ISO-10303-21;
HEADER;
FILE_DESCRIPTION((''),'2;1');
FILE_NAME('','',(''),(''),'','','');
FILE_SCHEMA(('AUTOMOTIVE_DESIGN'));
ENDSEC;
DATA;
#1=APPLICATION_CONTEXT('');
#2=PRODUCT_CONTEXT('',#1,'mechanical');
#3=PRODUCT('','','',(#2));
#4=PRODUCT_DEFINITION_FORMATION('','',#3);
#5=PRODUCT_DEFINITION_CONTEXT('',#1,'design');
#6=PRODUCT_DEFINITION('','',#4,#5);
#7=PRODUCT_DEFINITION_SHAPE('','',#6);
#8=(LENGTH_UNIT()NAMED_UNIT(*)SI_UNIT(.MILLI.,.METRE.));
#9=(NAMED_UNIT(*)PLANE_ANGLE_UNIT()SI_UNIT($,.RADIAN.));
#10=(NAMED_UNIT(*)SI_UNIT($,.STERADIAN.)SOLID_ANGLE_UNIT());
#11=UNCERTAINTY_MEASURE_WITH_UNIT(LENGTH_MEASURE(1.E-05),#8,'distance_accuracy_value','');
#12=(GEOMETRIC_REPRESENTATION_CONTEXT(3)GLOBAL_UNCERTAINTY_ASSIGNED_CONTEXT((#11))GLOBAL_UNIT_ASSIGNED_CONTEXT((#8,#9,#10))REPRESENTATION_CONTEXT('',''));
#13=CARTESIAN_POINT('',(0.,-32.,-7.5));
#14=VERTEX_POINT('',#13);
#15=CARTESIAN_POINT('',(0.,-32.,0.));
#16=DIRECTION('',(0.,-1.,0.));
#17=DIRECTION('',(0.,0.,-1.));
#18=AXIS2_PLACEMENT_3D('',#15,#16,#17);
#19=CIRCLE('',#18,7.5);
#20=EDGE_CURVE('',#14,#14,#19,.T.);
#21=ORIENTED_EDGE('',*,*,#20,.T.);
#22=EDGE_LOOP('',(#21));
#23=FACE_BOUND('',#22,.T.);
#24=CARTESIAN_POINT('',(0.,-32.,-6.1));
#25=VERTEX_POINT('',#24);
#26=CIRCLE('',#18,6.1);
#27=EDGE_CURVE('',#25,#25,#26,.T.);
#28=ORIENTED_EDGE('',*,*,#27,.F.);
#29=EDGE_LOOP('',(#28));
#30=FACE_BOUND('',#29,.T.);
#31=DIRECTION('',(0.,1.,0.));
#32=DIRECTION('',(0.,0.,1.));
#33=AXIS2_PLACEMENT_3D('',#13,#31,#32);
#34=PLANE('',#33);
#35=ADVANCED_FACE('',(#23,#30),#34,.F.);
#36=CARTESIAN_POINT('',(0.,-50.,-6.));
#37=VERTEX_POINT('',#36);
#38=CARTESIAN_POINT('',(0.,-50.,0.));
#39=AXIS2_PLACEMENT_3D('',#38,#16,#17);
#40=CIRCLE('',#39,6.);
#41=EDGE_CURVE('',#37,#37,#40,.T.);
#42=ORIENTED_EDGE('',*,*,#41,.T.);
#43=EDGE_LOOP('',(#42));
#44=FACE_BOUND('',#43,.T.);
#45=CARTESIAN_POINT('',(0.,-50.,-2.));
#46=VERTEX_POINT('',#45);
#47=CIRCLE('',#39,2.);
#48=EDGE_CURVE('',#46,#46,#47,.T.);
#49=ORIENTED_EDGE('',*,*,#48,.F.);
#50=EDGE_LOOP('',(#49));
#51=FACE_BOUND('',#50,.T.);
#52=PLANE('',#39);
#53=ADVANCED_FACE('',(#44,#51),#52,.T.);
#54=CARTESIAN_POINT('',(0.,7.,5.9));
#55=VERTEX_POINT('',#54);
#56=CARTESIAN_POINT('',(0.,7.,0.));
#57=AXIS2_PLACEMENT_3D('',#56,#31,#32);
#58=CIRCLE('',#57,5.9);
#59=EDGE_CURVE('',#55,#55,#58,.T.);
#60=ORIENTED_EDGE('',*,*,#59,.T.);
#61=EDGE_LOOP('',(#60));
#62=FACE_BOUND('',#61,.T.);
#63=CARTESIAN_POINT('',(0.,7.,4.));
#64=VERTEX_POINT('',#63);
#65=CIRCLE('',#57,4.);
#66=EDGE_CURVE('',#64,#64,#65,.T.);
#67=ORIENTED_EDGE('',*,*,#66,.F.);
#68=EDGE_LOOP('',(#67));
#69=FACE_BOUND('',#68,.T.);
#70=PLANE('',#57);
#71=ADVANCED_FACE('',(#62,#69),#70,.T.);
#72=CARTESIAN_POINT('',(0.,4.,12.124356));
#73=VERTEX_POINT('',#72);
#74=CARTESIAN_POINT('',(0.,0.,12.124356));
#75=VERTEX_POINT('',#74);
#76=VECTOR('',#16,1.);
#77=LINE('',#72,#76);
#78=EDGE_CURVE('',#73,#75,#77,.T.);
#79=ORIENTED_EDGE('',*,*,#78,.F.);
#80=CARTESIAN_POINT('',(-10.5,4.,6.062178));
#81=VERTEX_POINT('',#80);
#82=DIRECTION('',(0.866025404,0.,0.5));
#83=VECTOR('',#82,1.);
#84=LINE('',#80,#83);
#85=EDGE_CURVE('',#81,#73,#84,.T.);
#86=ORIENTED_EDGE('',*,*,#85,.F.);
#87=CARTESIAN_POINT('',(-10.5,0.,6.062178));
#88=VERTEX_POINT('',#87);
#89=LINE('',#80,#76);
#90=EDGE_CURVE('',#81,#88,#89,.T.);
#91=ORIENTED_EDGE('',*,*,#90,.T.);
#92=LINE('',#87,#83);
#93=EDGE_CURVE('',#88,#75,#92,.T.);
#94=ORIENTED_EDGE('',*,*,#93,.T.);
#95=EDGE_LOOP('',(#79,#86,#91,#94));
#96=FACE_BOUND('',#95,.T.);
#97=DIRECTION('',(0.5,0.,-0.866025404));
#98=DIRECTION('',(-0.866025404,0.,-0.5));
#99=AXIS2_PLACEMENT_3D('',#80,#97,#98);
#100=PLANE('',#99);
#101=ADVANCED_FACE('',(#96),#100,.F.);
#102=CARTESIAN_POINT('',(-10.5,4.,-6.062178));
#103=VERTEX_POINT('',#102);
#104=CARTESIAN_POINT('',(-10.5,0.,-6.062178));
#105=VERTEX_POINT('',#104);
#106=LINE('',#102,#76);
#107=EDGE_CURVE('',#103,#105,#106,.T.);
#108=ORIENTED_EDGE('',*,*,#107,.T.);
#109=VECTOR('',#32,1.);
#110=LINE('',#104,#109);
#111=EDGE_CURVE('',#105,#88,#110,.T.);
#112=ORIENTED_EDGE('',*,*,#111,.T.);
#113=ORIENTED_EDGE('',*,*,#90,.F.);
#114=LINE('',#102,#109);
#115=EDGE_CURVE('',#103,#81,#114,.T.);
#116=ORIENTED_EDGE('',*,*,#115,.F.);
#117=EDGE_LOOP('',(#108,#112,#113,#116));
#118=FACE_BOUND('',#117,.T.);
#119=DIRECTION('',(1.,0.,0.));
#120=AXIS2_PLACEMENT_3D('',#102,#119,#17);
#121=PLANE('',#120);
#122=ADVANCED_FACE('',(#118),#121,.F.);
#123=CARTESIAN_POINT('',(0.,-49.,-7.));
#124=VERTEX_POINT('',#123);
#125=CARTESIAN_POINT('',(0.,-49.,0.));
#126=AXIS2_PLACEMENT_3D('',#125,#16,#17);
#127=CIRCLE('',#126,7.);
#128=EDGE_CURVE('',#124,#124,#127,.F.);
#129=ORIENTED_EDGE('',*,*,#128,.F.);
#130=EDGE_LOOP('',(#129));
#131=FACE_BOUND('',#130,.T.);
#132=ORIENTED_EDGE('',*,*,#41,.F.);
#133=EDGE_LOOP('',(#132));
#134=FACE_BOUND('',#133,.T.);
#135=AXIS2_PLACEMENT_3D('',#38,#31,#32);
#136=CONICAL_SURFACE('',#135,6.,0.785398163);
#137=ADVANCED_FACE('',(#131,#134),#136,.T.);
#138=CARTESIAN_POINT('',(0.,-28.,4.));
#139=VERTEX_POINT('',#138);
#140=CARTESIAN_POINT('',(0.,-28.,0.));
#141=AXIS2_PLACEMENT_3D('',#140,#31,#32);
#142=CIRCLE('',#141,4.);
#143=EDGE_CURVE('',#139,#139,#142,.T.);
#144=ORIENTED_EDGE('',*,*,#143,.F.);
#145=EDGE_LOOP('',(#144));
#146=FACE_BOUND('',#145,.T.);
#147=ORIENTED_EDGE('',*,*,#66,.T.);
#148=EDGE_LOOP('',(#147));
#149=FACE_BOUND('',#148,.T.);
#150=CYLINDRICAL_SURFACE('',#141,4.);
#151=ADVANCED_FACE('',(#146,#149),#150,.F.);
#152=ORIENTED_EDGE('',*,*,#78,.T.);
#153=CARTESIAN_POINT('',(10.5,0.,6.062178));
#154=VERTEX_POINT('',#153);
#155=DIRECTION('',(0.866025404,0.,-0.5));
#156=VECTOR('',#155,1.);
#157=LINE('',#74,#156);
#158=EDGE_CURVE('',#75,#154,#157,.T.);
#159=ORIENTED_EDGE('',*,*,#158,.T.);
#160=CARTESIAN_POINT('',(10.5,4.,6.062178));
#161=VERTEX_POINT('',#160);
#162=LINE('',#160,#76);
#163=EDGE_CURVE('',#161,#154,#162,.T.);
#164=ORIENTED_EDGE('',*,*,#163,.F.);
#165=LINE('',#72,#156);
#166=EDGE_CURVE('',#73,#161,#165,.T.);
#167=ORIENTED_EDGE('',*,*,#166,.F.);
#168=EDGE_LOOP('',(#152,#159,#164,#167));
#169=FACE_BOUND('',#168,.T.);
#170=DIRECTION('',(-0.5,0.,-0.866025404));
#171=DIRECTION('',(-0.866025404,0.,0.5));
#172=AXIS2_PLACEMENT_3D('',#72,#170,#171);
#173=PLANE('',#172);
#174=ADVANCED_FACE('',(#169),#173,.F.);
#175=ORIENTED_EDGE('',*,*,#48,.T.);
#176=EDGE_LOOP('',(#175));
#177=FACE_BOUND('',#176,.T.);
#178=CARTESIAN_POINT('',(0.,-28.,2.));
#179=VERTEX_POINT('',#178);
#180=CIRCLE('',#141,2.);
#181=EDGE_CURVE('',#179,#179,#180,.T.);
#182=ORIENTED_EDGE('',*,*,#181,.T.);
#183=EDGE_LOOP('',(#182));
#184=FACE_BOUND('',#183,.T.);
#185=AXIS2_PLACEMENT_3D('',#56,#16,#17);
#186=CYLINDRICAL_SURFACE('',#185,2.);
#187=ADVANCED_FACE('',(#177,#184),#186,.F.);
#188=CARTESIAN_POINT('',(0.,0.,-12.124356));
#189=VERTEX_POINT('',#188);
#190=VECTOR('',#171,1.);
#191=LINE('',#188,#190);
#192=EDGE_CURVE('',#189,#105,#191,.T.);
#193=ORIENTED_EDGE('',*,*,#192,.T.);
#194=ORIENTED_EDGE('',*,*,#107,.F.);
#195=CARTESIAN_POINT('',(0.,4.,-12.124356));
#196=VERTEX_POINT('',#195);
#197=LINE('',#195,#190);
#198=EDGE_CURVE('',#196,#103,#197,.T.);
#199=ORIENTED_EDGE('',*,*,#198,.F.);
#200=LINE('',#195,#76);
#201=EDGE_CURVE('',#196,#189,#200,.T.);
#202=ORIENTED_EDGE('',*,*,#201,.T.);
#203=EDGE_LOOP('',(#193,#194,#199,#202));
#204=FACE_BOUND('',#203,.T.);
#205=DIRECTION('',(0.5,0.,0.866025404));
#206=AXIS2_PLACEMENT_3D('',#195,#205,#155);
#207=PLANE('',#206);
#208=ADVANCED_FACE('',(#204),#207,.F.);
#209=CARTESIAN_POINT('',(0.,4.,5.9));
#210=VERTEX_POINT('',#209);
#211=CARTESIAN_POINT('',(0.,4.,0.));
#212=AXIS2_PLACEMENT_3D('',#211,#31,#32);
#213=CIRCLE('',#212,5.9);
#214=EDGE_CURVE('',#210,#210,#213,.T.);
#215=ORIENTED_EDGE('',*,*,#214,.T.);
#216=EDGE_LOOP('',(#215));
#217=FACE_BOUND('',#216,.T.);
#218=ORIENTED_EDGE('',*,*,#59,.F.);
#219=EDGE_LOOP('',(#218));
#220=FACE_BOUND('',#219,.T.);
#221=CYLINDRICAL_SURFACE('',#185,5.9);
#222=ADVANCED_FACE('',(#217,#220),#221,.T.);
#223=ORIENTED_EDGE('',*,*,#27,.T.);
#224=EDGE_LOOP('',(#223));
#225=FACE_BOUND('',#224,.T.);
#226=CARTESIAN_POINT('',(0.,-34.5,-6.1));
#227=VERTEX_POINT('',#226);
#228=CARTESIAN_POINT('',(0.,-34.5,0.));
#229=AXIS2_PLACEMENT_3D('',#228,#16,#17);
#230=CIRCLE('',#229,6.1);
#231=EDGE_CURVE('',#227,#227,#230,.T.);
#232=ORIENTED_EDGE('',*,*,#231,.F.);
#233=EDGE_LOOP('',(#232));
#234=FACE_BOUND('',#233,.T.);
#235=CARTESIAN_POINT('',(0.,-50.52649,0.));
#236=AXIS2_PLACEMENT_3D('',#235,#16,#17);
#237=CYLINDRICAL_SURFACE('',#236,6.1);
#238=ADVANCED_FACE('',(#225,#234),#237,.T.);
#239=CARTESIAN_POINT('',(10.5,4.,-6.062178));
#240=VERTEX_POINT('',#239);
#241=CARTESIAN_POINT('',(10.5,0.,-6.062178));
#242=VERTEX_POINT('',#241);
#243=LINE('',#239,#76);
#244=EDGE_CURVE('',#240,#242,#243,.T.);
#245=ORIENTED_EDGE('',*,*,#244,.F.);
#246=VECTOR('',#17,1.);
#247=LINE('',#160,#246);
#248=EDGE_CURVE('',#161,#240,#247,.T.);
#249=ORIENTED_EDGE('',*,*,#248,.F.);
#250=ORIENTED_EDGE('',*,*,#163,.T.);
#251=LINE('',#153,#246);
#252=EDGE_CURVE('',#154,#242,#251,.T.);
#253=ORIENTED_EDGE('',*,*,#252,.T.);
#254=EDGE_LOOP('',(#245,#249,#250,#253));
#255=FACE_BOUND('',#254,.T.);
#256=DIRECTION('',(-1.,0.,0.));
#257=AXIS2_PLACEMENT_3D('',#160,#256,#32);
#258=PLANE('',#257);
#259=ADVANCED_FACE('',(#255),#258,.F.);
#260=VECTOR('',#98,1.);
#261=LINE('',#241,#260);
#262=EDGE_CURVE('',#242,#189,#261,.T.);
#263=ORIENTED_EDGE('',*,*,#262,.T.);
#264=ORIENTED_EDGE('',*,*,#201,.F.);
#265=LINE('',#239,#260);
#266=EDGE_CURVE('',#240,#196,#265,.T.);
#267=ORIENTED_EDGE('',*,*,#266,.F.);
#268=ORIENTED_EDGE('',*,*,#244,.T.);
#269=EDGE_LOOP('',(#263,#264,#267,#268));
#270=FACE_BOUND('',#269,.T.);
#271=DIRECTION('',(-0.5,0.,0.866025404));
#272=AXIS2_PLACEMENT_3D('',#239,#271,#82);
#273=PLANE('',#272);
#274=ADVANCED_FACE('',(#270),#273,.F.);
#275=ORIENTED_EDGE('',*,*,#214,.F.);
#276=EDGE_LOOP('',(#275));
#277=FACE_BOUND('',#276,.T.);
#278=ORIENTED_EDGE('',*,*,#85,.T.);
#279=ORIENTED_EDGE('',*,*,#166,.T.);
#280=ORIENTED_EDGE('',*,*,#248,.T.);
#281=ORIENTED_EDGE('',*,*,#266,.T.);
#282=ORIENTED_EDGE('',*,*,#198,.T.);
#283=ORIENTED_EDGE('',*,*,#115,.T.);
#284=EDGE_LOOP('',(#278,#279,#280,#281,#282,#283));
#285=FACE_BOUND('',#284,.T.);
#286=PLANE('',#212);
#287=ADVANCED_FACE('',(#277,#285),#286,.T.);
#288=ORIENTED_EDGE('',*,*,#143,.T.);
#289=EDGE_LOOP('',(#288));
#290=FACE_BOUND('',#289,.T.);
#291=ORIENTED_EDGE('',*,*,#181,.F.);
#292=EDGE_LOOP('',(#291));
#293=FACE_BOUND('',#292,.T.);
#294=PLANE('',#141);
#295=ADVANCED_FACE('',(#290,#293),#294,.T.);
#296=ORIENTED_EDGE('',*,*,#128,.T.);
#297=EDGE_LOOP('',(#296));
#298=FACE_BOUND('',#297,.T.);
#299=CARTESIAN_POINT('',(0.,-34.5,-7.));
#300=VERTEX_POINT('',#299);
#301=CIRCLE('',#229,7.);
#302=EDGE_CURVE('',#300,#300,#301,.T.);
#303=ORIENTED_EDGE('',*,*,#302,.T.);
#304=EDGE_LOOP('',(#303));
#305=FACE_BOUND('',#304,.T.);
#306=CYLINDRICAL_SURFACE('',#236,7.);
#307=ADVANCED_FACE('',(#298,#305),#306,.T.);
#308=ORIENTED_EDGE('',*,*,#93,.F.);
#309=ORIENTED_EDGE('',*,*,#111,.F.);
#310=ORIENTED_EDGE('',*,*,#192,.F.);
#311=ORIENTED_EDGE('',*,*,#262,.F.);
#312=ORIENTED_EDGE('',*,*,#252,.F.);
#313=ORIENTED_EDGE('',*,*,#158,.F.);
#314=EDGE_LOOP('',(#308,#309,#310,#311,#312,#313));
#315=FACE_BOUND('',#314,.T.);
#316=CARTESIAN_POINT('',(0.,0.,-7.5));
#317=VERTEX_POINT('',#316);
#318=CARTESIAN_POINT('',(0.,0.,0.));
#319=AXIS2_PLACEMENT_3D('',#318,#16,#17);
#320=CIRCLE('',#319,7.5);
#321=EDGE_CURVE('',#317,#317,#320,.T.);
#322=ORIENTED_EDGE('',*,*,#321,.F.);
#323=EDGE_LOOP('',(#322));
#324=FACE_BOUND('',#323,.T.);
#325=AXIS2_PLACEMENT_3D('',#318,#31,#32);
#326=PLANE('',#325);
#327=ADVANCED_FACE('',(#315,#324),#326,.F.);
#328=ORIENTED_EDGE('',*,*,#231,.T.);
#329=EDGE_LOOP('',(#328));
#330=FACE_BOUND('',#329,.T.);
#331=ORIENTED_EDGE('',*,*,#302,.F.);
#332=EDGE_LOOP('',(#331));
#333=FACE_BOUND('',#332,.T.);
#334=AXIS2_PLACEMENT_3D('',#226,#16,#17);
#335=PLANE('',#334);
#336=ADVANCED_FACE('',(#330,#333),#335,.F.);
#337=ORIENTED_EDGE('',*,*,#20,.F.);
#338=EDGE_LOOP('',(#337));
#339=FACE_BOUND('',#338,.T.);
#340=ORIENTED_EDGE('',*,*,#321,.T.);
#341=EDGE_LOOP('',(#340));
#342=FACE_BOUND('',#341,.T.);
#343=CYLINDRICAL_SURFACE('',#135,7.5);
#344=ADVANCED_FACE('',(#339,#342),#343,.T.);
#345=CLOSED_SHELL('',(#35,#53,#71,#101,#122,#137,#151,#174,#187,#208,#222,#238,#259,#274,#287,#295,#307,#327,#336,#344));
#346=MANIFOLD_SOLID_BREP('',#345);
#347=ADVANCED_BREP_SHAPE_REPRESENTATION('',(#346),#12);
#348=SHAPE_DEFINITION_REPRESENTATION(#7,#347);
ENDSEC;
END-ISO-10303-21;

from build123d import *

# Parameters (mm, degrees)
EXTRUDE_1_DEPTH     = 4
SKETCH_2_R          = 5.9
EXTRUDE_2_DEPTH     = 3
SKETCH_3_R          = 7.5
EXTRUDE_3_DEPTH     = 50
SKETCH_4_R          = 4
CUT_EXTRUDE_1_DEPTH = 35
SKETCH_7_R          = 2
CUT_EXTRUDE_2_DEPTH = 58
CHAMFER_1_SIZE      = 1


with BuildPart() as part:
    # Эскиз1 → Бобышка-Вытянуть1 (new body)
    with BuildSketch(Plane(origin=(0, 0, 0), x_dir=(1, 0, 0), z_dir=(0, 1, 0))):
        Polygon((10.5, -6.062177826), (10.5, 6.062177826), (0, 12.124355653), (-10.5, 6.062177826), (-10.5, -6.062177826), (0, -12.124355653), align=None)
    extrude(amount=EXTRUDE_1_DEPTH)

    # Эскиз2 → Бобышка-Вытянуть2 (add)
    with BuildSketch(Plane(origin=(0, 4, 0), x_dir=(1, 0, 0), z_dir=(0, 1, 0))):
        Circle(SKETCH_2_R)
    extrude(amount=EXTRUDE_2_DEPTH)

    # Эскиз3 → Бобышка-Вытянуть3 (add)
    with BuildSketch(Plane.XZ):
        Circle(SKETCH_3_R)
    extrude(amount=EXTRUDE_3_DEPTH)

    # Эскиз4 → Вырез-Вытянуть1 (cut)
    with BuildSketch(Plane(origin=(0, 7, 0), x_dir=(1, 0, 0), z_dir=(0, 1, 0))):
        Circle(SKETCH_4_R)
    extrude(amount=-CUT_EXTRUDE_1_DEPTH, mode=Mode.SUBTRACT)

    # Эскиз6 → Вырез-Повернуть1 (revolve, cut)
    with BuildSketch(Plane(origin=(0, 0, 0), x_dir=(0, 0, -1), z_dir=(1, 0, 0))):
        Polygon((7.5, -50), (7.5, -32), (6.1, -32), (6.1, -34.5), (7, -34.5), (7, -50), align=None)
    revolve(axis=Axis((0, -50.526489701, 0), (0, 1, 0)), mode=Mode.SUBTRACT)

    # Эскиз7 → Вырез-Вытянуть2 (cut, through all)
    with BuildSketch(Plane.XZ.offset(50)):
        Circle(SKETCH_7_R)
    extrude(amount=-CUT_EXTRUDE_2_DEPTH, mode=Mode.SUBTRACT)

    # Фаска1
    chamfer_1_edges = [part.edges().sort_by_distance(p)[0] for p in [
        (0, -50, 7),
    ]]
    chamfer(chamfer_1_edges, length=CHAMFER_1_SIZE)


solid = part.part
